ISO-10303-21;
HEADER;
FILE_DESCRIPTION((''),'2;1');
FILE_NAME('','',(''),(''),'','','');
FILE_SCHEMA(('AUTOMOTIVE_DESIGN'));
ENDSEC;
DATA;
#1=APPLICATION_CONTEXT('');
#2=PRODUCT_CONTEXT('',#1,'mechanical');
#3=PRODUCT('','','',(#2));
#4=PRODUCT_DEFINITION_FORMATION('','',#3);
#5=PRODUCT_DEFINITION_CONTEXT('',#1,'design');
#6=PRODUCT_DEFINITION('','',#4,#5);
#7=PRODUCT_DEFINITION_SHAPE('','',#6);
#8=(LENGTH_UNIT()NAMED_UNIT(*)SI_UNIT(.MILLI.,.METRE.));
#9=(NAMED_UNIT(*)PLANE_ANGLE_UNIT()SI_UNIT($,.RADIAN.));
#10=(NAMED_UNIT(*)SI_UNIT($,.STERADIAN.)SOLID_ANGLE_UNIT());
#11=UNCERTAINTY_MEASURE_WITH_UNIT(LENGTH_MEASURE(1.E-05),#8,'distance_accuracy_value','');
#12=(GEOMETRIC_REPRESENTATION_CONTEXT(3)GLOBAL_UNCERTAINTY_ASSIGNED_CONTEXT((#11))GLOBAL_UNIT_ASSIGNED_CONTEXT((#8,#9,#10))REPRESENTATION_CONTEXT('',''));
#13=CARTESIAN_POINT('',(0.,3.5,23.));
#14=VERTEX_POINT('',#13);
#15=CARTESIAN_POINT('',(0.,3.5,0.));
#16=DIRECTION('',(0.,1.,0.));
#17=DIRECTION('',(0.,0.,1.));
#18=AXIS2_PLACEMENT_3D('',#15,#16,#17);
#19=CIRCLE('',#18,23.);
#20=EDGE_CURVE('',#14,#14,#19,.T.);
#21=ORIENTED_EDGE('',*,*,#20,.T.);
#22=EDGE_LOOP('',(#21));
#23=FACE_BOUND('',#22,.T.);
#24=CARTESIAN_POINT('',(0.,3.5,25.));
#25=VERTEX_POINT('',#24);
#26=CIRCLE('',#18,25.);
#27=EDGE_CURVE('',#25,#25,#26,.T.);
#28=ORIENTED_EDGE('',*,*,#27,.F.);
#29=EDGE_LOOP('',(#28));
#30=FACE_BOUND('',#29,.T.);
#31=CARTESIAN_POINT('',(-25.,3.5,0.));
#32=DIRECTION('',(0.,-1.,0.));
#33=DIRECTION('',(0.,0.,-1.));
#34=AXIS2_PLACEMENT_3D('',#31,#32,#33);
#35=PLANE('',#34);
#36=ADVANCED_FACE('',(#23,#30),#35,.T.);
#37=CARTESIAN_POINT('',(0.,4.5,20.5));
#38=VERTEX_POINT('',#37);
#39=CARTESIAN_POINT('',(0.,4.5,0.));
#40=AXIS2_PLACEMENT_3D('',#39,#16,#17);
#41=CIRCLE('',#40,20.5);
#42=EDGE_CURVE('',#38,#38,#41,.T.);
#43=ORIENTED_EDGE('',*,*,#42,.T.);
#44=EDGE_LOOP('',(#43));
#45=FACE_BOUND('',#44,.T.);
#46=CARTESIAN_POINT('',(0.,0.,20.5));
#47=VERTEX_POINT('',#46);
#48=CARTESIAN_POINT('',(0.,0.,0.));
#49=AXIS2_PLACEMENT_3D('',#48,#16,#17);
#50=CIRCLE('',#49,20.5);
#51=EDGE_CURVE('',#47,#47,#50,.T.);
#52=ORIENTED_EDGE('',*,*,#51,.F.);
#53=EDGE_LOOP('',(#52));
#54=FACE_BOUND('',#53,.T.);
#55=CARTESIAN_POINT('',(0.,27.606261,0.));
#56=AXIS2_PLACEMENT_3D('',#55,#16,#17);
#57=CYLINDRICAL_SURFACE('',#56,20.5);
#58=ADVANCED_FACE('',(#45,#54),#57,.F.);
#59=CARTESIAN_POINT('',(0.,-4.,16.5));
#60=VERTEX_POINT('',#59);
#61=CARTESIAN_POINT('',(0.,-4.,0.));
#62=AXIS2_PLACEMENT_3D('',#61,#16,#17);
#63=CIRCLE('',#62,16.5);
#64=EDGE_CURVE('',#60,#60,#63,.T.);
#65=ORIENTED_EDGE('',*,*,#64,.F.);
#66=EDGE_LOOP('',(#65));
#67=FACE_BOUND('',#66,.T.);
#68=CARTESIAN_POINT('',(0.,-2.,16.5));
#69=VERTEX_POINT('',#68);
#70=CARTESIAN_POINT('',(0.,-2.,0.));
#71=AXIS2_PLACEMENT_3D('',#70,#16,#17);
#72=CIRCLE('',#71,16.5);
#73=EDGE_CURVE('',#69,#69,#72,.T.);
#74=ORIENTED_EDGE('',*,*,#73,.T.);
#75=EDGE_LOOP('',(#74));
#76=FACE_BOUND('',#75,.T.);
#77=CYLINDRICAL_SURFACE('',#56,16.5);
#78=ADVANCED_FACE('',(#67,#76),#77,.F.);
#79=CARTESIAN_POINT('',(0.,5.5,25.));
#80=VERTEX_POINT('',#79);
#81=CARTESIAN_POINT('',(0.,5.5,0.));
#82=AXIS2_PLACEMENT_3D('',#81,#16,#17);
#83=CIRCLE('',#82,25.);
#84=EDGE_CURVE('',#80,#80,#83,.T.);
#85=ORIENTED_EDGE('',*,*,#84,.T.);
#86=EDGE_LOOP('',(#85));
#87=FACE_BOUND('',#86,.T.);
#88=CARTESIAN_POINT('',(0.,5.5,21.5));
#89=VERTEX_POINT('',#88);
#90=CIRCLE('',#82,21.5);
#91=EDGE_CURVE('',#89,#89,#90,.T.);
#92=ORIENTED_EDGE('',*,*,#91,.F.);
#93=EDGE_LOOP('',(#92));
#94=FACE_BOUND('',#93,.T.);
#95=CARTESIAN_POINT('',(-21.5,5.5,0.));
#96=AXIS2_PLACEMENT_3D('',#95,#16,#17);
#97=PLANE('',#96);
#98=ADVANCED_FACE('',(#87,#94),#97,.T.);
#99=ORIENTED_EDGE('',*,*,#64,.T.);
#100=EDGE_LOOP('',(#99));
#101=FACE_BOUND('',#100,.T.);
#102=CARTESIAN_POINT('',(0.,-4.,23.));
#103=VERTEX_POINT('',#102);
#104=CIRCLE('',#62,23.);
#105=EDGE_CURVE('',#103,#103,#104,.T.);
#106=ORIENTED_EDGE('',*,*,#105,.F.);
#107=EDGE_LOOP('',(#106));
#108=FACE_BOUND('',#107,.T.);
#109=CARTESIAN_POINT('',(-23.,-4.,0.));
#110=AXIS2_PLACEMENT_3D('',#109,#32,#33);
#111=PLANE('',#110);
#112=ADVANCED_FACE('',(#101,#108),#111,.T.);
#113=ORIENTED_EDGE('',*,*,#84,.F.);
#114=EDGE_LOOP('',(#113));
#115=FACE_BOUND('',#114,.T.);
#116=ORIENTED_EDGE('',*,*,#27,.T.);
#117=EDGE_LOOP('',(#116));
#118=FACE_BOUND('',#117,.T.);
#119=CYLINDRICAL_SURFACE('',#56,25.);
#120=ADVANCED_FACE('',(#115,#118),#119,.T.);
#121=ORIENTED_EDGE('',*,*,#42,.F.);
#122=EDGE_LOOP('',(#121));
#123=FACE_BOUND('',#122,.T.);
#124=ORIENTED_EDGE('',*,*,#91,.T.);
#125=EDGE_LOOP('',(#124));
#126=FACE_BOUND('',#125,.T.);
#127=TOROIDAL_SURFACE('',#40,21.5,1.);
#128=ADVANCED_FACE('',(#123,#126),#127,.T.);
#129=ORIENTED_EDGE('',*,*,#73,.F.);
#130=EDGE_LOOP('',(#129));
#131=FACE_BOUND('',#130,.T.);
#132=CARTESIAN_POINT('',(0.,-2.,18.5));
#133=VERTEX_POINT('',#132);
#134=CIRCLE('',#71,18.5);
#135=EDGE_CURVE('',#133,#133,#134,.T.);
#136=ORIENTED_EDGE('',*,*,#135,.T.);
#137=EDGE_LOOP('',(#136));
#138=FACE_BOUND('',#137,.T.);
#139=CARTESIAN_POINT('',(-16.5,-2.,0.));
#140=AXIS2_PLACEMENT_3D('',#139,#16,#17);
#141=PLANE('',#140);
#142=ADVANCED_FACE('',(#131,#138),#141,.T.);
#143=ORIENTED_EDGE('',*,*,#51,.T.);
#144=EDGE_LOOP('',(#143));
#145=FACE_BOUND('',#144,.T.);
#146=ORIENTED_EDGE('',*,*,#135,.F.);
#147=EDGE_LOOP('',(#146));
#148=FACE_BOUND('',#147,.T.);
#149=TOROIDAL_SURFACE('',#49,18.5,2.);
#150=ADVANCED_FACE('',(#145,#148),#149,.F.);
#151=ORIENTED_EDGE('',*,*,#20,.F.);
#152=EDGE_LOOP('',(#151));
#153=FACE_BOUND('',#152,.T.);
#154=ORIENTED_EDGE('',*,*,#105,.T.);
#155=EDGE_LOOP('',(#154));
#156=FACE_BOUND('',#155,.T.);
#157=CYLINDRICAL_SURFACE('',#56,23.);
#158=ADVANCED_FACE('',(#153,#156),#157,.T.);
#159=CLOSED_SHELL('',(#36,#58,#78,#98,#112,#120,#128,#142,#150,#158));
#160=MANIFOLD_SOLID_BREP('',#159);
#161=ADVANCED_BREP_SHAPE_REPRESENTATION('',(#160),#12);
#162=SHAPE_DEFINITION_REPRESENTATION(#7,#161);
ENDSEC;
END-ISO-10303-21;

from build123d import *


with BuildPart() as part:
    # Esquisse1 → Révolution1 (revolve)
    with BuildSketch(Plane.XY, mode=Mode.PRIVATE) as r_volution1_sk:
        with BuildLine():
            Line((-16.5, -4), (-16.5, -2))
            Line((-16.5, -2), (-18.5, -2))
            ThreePointArc((-18.5, -2), (-19.914213562, -1.414213562), (-20.5, 0))
            Line((-20.5, 0), (-20.5, 4.5))
            ThreePointArc((-20.5, 4.5), (-20.792893219, 5.207106781), (-21.5, 5.5))
            Line((-21.5, 5.5), (-25, 5.5))
            Line((-25, 5.5), (-25, 3.5))
            Line((-25, 3.5), (-23, 3.5))
            Line((-23, 3.5), (-23, -4))
            Line((-23, -4), (-16.5, -4))
        make_face()
    revolve(r_volution1_sk.sketch.rotate(Axis((0, 27.606261023, 0), (0, -1, 0)), 270), axis=Axis((0, 27.606261023, 0), (0, -1, 0)))  # turned: the seam where the file's is


solid = part.part
